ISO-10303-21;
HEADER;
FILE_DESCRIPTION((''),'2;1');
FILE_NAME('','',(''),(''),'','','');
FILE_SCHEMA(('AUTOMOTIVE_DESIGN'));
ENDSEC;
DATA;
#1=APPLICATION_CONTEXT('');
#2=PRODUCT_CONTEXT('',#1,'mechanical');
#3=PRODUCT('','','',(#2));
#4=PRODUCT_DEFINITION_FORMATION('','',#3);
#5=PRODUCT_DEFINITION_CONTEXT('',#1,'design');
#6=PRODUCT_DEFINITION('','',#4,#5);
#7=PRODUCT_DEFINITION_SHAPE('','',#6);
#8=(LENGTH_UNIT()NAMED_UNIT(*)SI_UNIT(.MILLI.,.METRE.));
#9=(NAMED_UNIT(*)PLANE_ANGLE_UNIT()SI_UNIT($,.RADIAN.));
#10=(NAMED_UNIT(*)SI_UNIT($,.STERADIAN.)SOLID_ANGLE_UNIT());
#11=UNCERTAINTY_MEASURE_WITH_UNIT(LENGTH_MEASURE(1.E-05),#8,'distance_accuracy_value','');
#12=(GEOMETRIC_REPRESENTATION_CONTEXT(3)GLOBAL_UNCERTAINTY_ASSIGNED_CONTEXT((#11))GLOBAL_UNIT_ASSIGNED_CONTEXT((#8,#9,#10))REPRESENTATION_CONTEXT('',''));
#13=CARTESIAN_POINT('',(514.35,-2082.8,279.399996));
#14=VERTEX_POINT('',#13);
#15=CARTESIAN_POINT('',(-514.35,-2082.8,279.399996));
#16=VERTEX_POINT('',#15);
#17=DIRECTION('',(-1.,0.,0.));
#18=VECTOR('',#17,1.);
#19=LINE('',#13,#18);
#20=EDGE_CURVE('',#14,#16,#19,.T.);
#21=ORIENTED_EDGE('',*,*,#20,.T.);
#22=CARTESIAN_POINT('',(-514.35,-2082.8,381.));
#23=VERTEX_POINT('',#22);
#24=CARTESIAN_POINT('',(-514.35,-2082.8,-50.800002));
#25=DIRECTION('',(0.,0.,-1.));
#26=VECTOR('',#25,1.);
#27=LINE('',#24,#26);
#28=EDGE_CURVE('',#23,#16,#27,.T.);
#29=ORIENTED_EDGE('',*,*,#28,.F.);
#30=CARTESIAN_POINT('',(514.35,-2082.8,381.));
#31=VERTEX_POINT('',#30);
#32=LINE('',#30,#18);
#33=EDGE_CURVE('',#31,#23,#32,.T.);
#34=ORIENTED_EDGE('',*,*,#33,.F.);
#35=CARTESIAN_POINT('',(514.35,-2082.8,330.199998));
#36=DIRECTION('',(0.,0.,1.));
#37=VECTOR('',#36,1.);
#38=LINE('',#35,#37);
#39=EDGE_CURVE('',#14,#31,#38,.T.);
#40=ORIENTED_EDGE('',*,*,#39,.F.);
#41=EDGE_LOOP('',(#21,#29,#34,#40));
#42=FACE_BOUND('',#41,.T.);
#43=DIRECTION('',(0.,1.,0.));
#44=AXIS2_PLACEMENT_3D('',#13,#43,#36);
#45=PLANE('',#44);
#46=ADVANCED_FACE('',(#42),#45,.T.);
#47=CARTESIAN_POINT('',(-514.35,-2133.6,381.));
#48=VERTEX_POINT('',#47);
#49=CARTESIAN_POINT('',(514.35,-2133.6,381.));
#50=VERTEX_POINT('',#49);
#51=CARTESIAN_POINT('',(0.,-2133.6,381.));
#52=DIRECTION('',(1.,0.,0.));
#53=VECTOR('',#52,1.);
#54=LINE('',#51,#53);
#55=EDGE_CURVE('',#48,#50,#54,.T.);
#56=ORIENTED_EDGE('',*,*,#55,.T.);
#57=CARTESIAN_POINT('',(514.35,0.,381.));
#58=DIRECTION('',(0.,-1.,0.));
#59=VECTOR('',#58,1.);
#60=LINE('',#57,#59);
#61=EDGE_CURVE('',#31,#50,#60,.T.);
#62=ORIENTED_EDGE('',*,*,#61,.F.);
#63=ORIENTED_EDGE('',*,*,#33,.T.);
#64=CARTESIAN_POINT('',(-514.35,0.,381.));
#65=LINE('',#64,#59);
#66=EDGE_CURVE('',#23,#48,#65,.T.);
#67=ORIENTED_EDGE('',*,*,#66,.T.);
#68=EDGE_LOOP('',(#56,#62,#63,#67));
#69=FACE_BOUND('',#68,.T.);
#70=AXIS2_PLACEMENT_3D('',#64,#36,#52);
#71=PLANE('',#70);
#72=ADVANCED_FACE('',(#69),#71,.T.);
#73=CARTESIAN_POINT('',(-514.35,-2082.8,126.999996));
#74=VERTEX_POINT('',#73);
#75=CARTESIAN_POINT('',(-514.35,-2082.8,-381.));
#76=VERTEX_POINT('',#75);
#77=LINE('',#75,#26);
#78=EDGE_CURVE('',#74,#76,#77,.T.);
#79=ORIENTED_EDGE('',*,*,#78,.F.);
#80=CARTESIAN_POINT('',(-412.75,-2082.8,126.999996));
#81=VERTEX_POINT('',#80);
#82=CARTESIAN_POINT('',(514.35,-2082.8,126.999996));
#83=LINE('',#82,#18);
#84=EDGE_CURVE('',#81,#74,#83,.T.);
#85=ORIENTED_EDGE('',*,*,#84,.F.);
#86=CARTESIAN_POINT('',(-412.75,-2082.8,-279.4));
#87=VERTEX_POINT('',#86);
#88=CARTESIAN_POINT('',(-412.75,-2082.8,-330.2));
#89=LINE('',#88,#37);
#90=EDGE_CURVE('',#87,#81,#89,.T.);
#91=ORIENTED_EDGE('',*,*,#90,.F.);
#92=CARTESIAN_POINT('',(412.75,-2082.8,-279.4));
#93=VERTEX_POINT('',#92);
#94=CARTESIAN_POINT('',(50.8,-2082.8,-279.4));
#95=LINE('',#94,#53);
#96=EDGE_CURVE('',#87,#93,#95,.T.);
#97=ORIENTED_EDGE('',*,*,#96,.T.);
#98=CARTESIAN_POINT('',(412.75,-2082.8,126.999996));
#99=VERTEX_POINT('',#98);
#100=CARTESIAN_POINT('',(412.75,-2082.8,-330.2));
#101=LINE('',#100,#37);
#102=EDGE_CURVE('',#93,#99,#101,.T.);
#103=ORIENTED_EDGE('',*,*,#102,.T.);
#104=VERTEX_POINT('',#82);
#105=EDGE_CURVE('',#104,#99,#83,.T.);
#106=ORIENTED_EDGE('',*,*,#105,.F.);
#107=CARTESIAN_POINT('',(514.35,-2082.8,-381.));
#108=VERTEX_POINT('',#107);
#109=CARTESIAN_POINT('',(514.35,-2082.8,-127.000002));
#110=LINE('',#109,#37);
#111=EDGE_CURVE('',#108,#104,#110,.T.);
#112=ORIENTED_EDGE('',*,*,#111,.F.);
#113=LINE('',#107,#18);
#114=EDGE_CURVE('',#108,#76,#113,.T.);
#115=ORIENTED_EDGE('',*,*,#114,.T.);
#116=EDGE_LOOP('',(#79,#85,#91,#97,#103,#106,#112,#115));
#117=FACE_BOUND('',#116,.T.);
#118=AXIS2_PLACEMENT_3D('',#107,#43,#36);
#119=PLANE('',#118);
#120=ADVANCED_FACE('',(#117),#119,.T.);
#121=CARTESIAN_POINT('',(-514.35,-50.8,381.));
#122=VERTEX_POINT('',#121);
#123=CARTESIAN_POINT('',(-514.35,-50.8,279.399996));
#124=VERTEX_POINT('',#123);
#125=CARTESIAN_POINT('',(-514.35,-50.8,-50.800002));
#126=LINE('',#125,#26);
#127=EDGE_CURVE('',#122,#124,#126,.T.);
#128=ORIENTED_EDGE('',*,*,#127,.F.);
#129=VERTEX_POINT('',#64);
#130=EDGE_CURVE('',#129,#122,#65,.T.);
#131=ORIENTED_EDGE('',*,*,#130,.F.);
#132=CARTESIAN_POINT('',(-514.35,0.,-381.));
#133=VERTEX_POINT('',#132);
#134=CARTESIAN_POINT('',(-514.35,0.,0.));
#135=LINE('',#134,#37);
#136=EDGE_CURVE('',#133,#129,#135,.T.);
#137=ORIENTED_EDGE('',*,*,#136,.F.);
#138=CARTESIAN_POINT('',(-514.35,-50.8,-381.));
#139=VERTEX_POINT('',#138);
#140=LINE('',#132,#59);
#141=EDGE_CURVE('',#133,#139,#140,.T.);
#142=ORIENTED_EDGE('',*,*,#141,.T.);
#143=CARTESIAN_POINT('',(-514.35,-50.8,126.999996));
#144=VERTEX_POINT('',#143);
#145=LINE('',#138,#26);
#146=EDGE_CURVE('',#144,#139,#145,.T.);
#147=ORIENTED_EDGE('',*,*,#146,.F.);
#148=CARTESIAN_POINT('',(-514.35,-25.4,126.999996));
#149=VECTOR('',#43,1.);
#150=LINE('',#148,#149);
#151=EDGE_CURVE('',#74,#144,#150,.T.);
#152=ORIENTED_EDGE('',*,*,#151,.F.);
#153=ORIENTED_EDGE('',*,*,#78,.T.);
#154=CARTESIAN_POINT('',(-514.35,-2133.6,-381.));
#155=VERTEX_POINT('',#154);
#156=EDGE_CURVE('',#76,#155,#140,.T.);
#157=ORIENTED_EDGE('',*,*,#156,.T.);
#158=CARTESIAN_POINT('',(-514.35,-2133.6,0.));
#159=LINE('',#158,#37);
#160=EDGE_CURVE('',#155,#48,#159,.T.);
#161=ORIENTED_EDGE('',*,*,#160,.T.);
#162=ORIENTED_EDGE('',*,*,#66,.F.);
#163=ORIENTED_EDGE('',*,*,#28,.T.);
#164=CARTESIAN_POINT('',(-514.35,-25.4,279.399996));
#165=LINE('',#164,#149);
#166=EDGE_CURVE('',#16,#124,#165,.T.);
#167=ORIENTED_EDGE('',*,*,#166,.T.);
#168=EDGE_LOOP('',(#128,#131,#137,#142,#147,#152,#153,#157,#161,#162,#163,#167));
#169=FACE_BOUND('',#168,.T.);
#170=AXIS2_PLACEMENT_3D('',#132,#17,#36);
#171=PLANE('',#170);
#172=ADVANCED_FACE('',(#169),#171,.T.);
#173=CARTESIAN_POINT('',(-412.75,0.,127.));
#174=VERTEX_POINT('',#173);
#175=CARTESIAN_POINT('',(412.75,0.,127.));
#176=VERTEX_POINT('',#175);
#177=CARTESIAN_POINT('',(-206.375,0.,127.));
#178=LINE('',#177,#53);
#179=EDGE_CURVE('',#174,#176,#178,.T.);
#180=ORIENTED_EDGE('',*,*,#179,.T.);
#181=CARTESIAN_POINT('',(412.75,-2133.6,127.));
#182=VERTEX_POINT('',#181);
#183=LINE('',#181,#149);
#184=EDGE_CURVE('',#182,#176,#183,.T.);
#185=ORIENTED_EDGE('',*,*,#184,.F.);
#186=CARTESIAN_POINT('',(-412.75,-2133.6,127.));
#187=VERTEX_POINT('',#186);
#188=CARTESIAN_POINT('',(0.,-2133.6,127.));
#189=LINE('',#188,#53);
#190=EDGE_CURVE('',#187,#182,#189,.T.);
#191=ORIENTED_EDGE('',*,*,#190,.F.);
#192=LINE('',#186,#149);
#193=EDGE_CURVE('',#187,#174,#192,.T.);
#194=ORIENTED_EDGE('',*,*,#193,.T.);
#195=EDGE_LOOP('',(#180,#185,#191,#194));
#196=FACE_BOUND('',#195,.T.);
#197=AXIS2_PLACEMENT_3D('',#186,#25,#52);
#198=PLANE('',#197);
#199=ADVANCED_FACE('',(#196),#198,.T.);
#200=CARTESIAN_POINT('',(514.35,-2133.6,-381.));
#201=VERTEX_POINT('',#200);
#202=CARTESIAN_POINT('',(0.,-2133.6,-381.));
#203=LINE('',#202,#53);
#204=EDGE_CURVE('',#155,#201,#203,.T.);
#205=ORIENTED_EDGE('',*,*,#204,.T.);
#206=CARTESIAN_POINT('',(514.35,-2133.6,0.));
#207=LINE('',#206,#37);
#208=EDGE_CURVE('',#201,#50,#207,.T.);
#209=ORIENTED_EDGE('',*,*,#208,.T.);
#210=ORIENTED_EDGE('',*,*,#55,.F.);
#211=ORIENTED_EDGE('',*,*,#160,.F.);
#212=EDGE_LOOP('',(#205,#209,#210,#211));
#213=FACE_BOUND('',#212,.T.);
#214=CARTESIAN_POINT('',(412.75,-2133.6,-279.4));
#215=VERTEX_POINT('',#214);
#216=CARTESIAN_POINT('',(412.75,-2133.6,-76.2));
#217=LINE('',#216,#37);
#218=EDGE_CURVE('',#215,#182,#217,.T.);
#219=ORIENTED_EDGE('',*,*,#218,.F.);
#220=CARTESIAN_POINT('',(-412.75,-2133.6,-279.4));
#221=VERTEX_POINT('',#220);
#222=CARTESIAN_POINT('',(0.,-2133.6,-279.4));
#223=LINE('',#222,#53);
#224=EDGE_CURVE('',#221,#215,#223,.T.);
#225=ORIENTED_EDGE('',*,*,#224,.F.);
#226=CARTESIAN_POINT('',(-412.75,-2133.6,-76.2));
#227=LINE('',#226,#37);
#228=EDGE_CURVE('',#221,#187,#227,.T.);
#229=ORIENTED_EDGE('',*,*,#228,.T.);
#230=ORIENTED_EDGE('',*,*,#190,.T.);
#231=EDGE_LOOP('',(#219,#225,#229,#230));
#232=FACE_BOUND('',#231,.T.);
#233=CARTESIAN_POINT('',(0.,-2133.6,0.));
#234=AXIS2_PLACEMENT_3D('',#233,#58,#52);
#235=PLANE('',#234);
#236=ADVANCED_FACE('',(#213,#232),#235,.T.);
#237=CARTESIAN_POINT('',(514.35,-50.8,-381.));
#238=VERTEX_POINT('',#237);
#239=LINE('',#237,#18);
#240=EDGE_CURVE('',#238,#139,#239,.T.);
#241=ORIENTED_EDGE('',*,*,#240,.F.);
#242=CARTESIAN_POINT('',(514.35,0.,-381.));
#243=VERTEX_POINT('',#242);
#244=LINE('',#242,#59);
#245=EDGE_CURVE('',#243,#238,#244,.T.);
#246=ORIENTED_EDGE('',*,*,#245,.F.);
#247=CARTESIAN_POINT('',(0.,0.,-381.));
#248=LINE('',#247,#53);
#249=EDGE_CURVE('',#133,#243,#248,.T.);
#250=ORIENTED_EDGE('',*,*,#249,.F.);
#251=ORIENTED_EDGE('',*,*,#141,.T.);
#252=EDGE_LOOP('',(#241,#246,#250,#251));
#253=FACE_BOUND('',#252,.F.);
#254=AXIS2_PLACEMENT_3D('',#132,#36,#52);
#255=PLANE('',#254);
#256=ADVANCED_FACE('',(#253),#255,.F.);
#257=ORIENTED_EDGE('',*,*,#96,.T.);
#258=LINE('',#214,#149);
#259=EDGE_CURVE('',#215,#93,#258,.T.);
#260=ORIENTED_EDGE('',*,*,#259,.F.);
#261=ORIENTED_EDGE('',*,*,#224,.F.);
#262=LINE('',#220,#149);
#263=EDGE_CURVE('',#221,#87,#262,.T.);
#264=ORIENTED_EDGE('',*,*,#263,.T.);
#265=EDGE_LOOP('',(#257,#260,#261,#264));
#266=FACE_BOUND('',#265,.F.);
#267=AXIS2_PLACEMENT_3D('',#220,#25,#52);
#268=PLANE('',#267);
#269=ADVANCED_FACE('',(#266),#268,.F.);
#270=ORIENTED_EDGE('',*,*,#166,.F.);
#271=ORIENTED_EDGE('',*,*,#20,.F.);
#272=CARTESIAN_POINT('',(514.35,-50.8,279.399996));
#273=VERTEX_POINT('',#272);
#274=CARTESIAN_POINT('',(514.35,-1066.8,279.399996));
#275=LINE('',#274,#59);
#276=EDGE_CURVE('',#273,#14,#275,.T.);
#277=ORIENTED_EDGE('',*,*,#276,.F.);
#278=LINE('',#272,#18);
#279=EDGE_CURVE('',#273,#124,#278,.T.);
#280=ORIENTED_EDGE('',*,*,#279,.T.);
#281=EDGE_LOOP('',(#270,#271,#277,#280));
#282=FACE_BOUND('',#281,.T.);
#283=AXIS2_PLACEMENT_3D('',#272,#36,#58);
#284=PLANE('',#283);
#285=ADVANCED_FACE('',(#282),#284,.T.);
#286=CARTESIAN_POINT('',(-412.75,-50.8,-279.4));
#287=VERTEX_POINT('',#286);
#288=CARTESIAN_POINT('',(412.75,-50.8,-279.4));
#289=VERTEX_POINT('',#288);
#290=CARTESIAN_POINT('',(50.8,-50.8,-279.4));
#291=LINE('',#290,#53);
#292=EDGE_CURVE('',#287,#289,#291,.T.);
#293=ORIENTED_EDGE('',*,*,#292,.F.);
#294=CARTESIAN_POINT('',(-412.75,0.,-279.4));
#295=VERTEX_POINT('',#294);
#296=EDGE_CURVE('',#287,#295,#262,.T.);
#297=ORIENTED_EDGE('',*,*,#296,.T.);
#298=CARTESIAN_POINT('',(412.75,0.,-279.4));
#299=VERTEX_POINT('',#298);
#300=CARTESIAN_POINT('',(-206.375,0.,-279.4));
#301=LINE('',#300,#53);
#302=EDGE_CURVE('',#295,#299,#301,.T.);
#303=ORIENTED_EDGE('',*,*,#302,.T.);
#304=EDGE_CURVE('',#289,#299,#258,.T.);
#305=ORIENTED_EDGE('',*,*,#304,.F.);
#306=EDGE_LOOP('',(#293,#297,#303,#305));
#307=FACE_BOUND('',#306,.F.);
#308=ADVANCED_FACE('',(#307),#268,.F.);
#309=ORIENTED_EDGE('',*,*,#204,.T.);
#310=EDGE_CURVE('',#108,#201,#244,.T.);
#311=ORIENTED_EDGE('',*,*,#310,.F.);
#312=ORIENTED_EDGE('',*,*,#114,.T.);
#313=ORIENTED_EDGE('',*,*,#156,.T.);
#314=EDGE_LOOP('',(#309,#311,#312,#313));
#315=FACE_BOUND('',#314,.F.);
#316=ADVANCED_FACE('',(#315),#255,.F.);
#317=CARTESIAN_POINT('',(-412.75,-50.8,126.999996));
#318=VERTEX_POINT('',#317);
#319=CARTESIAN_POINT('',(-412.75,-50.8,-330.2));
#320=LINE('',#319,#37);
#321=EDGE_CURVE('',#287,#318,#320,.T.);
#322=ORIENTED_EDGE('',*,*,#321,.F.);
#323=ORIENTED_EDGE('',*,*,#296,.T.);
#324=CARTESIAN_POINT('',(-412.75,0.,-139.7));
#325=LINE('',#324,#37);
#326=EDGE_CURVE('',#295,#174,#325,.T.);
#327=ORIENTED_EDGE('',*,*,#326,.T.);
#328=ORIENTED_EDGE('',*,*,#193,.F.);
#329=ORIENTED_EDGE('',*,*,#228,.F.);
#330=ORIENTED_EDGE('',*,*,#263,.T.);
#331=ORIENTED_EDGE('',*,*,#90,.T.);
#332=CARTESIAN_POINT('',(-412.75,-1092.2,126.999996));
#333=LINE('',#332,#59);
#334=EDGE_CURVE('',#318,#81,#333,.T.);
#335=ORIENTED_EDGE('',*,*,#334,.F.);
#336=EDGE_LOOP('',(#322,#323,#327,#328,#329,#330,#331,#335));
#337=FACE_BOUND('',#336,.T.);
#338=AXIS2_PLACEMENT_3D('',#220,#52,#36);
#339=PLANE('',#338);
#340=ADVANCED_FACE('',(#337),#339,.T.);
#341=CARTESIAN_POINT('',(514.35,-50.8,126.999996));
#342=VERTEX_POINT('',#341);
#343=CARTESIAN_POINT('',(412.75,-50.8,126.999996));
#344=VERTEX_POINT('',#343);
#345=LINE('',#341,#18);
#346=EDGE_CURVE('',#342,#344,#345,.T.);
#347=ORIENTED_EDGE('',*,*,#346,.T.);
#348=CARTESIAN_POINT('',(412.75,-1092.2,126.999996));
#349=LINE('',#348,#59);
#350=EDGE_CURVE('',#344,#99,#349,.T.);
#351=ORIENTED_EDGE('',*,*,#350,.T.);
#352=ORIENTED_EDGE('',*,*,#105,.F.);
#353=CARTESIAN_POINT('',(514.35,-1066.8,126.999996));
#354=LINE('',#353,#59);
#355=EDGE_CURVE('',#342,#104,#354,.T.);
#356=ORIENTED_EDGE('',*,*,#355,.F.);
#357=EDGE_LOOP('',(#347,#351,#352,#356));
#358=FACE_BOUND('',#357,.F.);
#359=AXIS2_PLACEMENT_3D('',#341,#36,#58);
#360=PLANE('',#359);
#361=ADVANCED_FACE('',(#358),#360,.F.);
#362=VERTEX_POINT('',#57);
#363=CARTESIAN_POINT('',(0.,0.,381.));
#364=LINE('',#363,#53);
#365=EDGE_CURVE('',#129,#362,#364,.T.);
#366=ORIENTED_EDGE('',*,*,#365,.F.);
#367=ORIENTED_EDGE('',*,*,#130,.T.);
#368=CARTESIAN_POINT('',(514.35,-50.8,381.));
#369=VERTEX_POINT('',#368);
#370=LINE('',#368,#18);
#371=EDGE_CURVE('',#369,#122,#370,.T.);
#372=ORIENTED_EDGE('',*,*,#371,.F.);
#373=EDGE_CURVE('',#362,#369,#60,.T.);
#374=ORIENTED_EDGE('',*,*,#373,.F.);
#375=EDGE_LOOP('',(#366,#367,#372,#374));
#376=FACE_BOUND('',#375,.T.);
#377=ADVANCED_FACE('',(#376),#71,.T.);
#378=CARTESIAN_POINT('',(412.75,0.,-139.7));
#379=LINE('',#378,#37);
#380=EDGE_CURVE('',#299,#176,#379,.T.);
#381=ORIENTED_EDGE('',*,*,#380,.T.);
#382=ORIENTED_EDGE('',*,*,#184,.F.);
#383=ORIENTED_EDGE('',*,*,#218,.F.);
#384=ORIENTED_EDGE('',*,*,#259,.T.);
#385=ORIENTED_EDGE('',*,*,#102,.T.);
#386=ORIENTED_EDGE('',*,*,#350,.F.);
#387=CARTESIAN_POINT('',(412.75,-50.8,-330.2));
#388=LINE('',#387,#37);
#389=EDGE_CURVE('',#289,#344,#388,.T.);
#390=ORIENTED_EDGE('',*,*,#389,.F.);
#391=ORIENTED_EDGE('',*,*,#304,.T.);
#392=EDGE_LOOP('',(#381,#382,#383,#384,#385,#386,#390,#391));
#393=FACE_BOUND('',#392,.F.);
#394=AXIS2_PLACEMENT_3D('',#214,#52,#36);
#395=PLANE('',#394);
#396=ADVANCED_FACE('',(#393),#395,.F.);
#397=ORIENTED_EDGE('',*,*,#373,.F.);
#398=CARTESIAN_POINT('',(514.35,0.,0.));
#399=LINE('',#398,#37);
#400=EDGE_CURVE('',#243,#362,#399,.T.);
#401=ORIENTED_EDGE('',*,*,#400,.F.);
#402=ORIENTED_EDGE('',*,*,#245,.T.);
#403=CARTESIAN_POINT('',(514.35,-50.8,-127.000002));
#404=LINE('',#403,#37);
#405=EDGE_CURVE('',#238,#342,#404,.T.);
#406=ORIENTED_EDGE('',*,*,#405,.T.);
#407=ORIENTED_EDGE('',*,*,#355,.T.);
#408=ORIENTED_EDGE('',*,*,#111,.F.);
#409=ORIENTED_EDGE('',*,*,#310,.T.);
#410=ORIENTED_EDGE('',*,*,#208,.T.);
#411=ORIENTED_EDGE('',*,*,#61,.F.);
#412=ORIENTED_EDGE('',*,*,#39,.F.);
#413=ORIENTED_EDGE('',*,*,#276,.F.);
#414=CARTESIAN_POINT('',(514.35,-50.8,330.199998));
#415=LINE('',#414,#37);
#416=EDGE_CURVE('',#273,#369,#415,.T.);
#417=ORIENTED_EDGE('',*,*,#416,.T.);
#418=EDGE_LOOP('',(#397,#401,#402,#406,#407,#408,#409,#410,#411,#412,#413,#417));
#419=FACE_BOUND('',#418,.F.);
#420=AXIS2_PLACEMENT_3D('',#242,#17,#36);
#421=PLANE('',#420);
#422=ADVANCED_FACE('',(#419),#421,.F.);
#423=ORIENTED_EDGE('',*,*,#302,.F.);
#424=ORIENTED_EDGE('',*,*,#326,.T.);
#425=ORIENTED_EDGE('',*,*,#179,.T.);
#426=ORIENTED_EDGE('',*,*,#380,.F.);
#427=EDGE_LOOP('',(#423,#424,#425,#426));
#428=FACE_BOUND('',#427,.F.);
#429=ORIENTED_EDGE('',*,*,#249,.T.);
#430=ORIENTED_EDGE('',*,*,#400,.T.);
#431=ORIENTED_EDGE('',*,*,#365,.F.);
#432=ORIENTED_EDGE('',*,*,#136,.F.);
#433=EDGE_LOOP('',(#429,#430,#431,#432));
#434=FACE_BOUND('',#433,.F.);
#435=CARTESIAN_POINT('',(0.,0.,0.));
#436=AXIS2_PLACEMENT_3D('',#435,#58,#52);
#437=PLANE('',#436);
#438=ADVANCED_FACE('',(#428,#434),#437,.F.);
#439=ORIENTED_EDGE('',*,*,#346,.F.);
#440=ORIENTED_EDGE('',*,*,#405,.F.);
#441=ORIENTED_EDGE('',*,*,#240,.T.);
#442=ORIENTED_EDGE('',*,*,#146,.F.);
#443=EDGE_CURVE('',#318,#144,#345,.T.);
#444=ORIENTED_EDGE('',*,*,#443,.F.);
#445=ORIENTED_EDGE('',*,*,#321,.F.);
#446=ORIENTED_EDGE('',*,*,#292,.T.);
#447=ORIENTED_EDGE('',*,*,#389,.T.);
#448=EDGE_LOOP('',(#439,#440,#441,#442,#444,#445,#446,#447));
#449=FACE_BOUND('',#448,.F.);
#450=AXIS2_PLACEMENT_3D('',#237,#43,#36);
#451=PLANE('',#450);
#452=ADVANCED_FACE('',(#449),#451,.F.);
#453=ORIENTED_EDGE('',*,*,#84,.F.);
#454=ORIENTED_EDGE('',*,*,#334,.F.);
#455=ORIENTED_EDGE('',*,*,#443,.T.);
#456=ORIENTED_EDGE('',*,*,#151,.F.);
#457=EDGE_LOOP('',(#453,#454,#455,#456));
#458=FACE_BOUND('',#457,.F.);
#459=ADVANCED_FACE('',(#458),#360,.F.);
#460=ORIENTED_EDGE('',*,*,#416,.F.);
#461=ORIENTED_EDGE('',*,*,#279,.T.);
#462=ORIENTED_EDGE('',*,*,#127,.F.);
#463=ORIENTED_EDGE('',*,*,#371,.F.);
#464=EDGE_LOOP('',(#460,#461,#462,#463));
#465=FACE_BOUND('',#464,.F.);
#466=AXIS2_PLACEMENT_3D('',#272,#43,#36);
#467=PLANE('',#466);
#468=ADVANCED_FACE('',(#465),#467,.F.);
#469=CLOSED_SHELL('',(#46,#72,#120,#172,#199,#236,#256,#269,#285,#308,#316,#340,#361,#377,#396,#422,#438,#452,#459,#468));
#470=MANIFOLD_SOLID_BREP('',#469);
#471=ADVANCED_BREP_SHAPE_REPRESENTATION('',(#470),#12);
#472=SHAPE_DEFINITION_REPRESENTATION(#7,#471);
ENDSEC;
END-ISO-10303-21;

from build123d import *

# Parameters (mm, degrees)
SKETCH_W        = 1028.7
SKETCH_H        = 762
PAD_DEPTH       = 2133.6
SKETCH001_W     = 825.5
SKETCH001_H     = 406.4
POCKET_DEPTH    = 2133.601
SKETCH002_W     = 507.999996
SKETCH002_H     = 2032
POCKET001_DEPTH = 1028.701
SKETCH003_W     = 101.600004
SKETCH003_H     = 2032
POCKET002_DEPTH = 1028.701


with BuildPart() as part:
    # Sketch → Pad (new body)
    with BuildSketch(Plane.XZ):
        Rectangle(SKETCH_W, SKETCH_H)
    extrude(amount=PAD_DEPTH)

    # Sketch001 → Pocket (cut, through all)
    with BuildSketch(Plane(origin=(0, -2133.6, 0), x_dir=(1, 0, 0), z_dir=(0, -1, 0))):
        with Locations((0, -76.2)):
            Rectangle(SKETCH001_W, SKETCH001_H)
    extrude(amount=-POCKET_DEPTH, mode=Mode.SUBTRACT)

    # Sketch002 → Pocket001 (cut, through all)
    with BuildSketch(Plane(origin=(514.35, 0, 0), x_dir=(0, 0, 1), z_dir=(1, 0, 0))):
        with Locations((-127.000002, 1066.8)):
            Rectangle(SKETCH002_W, SKETCH002_H)
    extrude(amount=-POCKET001_DEPTH, mode=Mode.SUBTRACT)

    # Sketch003 → Pocket002 (cut, through all)
    with BuildSketch(Plane(origin=(514.35, 0, 0), x_dir=(0, 0, 1), z_dir=(1, 0, 0))):
        with Locations((330.199998, 1066.8)):
            Rectangle(SKETCH003_W, SKETCH003_H)
    extrude(amount=-POCKET002_DEPTH, mode=Mode.SUBTRACT)


solid = part.part
